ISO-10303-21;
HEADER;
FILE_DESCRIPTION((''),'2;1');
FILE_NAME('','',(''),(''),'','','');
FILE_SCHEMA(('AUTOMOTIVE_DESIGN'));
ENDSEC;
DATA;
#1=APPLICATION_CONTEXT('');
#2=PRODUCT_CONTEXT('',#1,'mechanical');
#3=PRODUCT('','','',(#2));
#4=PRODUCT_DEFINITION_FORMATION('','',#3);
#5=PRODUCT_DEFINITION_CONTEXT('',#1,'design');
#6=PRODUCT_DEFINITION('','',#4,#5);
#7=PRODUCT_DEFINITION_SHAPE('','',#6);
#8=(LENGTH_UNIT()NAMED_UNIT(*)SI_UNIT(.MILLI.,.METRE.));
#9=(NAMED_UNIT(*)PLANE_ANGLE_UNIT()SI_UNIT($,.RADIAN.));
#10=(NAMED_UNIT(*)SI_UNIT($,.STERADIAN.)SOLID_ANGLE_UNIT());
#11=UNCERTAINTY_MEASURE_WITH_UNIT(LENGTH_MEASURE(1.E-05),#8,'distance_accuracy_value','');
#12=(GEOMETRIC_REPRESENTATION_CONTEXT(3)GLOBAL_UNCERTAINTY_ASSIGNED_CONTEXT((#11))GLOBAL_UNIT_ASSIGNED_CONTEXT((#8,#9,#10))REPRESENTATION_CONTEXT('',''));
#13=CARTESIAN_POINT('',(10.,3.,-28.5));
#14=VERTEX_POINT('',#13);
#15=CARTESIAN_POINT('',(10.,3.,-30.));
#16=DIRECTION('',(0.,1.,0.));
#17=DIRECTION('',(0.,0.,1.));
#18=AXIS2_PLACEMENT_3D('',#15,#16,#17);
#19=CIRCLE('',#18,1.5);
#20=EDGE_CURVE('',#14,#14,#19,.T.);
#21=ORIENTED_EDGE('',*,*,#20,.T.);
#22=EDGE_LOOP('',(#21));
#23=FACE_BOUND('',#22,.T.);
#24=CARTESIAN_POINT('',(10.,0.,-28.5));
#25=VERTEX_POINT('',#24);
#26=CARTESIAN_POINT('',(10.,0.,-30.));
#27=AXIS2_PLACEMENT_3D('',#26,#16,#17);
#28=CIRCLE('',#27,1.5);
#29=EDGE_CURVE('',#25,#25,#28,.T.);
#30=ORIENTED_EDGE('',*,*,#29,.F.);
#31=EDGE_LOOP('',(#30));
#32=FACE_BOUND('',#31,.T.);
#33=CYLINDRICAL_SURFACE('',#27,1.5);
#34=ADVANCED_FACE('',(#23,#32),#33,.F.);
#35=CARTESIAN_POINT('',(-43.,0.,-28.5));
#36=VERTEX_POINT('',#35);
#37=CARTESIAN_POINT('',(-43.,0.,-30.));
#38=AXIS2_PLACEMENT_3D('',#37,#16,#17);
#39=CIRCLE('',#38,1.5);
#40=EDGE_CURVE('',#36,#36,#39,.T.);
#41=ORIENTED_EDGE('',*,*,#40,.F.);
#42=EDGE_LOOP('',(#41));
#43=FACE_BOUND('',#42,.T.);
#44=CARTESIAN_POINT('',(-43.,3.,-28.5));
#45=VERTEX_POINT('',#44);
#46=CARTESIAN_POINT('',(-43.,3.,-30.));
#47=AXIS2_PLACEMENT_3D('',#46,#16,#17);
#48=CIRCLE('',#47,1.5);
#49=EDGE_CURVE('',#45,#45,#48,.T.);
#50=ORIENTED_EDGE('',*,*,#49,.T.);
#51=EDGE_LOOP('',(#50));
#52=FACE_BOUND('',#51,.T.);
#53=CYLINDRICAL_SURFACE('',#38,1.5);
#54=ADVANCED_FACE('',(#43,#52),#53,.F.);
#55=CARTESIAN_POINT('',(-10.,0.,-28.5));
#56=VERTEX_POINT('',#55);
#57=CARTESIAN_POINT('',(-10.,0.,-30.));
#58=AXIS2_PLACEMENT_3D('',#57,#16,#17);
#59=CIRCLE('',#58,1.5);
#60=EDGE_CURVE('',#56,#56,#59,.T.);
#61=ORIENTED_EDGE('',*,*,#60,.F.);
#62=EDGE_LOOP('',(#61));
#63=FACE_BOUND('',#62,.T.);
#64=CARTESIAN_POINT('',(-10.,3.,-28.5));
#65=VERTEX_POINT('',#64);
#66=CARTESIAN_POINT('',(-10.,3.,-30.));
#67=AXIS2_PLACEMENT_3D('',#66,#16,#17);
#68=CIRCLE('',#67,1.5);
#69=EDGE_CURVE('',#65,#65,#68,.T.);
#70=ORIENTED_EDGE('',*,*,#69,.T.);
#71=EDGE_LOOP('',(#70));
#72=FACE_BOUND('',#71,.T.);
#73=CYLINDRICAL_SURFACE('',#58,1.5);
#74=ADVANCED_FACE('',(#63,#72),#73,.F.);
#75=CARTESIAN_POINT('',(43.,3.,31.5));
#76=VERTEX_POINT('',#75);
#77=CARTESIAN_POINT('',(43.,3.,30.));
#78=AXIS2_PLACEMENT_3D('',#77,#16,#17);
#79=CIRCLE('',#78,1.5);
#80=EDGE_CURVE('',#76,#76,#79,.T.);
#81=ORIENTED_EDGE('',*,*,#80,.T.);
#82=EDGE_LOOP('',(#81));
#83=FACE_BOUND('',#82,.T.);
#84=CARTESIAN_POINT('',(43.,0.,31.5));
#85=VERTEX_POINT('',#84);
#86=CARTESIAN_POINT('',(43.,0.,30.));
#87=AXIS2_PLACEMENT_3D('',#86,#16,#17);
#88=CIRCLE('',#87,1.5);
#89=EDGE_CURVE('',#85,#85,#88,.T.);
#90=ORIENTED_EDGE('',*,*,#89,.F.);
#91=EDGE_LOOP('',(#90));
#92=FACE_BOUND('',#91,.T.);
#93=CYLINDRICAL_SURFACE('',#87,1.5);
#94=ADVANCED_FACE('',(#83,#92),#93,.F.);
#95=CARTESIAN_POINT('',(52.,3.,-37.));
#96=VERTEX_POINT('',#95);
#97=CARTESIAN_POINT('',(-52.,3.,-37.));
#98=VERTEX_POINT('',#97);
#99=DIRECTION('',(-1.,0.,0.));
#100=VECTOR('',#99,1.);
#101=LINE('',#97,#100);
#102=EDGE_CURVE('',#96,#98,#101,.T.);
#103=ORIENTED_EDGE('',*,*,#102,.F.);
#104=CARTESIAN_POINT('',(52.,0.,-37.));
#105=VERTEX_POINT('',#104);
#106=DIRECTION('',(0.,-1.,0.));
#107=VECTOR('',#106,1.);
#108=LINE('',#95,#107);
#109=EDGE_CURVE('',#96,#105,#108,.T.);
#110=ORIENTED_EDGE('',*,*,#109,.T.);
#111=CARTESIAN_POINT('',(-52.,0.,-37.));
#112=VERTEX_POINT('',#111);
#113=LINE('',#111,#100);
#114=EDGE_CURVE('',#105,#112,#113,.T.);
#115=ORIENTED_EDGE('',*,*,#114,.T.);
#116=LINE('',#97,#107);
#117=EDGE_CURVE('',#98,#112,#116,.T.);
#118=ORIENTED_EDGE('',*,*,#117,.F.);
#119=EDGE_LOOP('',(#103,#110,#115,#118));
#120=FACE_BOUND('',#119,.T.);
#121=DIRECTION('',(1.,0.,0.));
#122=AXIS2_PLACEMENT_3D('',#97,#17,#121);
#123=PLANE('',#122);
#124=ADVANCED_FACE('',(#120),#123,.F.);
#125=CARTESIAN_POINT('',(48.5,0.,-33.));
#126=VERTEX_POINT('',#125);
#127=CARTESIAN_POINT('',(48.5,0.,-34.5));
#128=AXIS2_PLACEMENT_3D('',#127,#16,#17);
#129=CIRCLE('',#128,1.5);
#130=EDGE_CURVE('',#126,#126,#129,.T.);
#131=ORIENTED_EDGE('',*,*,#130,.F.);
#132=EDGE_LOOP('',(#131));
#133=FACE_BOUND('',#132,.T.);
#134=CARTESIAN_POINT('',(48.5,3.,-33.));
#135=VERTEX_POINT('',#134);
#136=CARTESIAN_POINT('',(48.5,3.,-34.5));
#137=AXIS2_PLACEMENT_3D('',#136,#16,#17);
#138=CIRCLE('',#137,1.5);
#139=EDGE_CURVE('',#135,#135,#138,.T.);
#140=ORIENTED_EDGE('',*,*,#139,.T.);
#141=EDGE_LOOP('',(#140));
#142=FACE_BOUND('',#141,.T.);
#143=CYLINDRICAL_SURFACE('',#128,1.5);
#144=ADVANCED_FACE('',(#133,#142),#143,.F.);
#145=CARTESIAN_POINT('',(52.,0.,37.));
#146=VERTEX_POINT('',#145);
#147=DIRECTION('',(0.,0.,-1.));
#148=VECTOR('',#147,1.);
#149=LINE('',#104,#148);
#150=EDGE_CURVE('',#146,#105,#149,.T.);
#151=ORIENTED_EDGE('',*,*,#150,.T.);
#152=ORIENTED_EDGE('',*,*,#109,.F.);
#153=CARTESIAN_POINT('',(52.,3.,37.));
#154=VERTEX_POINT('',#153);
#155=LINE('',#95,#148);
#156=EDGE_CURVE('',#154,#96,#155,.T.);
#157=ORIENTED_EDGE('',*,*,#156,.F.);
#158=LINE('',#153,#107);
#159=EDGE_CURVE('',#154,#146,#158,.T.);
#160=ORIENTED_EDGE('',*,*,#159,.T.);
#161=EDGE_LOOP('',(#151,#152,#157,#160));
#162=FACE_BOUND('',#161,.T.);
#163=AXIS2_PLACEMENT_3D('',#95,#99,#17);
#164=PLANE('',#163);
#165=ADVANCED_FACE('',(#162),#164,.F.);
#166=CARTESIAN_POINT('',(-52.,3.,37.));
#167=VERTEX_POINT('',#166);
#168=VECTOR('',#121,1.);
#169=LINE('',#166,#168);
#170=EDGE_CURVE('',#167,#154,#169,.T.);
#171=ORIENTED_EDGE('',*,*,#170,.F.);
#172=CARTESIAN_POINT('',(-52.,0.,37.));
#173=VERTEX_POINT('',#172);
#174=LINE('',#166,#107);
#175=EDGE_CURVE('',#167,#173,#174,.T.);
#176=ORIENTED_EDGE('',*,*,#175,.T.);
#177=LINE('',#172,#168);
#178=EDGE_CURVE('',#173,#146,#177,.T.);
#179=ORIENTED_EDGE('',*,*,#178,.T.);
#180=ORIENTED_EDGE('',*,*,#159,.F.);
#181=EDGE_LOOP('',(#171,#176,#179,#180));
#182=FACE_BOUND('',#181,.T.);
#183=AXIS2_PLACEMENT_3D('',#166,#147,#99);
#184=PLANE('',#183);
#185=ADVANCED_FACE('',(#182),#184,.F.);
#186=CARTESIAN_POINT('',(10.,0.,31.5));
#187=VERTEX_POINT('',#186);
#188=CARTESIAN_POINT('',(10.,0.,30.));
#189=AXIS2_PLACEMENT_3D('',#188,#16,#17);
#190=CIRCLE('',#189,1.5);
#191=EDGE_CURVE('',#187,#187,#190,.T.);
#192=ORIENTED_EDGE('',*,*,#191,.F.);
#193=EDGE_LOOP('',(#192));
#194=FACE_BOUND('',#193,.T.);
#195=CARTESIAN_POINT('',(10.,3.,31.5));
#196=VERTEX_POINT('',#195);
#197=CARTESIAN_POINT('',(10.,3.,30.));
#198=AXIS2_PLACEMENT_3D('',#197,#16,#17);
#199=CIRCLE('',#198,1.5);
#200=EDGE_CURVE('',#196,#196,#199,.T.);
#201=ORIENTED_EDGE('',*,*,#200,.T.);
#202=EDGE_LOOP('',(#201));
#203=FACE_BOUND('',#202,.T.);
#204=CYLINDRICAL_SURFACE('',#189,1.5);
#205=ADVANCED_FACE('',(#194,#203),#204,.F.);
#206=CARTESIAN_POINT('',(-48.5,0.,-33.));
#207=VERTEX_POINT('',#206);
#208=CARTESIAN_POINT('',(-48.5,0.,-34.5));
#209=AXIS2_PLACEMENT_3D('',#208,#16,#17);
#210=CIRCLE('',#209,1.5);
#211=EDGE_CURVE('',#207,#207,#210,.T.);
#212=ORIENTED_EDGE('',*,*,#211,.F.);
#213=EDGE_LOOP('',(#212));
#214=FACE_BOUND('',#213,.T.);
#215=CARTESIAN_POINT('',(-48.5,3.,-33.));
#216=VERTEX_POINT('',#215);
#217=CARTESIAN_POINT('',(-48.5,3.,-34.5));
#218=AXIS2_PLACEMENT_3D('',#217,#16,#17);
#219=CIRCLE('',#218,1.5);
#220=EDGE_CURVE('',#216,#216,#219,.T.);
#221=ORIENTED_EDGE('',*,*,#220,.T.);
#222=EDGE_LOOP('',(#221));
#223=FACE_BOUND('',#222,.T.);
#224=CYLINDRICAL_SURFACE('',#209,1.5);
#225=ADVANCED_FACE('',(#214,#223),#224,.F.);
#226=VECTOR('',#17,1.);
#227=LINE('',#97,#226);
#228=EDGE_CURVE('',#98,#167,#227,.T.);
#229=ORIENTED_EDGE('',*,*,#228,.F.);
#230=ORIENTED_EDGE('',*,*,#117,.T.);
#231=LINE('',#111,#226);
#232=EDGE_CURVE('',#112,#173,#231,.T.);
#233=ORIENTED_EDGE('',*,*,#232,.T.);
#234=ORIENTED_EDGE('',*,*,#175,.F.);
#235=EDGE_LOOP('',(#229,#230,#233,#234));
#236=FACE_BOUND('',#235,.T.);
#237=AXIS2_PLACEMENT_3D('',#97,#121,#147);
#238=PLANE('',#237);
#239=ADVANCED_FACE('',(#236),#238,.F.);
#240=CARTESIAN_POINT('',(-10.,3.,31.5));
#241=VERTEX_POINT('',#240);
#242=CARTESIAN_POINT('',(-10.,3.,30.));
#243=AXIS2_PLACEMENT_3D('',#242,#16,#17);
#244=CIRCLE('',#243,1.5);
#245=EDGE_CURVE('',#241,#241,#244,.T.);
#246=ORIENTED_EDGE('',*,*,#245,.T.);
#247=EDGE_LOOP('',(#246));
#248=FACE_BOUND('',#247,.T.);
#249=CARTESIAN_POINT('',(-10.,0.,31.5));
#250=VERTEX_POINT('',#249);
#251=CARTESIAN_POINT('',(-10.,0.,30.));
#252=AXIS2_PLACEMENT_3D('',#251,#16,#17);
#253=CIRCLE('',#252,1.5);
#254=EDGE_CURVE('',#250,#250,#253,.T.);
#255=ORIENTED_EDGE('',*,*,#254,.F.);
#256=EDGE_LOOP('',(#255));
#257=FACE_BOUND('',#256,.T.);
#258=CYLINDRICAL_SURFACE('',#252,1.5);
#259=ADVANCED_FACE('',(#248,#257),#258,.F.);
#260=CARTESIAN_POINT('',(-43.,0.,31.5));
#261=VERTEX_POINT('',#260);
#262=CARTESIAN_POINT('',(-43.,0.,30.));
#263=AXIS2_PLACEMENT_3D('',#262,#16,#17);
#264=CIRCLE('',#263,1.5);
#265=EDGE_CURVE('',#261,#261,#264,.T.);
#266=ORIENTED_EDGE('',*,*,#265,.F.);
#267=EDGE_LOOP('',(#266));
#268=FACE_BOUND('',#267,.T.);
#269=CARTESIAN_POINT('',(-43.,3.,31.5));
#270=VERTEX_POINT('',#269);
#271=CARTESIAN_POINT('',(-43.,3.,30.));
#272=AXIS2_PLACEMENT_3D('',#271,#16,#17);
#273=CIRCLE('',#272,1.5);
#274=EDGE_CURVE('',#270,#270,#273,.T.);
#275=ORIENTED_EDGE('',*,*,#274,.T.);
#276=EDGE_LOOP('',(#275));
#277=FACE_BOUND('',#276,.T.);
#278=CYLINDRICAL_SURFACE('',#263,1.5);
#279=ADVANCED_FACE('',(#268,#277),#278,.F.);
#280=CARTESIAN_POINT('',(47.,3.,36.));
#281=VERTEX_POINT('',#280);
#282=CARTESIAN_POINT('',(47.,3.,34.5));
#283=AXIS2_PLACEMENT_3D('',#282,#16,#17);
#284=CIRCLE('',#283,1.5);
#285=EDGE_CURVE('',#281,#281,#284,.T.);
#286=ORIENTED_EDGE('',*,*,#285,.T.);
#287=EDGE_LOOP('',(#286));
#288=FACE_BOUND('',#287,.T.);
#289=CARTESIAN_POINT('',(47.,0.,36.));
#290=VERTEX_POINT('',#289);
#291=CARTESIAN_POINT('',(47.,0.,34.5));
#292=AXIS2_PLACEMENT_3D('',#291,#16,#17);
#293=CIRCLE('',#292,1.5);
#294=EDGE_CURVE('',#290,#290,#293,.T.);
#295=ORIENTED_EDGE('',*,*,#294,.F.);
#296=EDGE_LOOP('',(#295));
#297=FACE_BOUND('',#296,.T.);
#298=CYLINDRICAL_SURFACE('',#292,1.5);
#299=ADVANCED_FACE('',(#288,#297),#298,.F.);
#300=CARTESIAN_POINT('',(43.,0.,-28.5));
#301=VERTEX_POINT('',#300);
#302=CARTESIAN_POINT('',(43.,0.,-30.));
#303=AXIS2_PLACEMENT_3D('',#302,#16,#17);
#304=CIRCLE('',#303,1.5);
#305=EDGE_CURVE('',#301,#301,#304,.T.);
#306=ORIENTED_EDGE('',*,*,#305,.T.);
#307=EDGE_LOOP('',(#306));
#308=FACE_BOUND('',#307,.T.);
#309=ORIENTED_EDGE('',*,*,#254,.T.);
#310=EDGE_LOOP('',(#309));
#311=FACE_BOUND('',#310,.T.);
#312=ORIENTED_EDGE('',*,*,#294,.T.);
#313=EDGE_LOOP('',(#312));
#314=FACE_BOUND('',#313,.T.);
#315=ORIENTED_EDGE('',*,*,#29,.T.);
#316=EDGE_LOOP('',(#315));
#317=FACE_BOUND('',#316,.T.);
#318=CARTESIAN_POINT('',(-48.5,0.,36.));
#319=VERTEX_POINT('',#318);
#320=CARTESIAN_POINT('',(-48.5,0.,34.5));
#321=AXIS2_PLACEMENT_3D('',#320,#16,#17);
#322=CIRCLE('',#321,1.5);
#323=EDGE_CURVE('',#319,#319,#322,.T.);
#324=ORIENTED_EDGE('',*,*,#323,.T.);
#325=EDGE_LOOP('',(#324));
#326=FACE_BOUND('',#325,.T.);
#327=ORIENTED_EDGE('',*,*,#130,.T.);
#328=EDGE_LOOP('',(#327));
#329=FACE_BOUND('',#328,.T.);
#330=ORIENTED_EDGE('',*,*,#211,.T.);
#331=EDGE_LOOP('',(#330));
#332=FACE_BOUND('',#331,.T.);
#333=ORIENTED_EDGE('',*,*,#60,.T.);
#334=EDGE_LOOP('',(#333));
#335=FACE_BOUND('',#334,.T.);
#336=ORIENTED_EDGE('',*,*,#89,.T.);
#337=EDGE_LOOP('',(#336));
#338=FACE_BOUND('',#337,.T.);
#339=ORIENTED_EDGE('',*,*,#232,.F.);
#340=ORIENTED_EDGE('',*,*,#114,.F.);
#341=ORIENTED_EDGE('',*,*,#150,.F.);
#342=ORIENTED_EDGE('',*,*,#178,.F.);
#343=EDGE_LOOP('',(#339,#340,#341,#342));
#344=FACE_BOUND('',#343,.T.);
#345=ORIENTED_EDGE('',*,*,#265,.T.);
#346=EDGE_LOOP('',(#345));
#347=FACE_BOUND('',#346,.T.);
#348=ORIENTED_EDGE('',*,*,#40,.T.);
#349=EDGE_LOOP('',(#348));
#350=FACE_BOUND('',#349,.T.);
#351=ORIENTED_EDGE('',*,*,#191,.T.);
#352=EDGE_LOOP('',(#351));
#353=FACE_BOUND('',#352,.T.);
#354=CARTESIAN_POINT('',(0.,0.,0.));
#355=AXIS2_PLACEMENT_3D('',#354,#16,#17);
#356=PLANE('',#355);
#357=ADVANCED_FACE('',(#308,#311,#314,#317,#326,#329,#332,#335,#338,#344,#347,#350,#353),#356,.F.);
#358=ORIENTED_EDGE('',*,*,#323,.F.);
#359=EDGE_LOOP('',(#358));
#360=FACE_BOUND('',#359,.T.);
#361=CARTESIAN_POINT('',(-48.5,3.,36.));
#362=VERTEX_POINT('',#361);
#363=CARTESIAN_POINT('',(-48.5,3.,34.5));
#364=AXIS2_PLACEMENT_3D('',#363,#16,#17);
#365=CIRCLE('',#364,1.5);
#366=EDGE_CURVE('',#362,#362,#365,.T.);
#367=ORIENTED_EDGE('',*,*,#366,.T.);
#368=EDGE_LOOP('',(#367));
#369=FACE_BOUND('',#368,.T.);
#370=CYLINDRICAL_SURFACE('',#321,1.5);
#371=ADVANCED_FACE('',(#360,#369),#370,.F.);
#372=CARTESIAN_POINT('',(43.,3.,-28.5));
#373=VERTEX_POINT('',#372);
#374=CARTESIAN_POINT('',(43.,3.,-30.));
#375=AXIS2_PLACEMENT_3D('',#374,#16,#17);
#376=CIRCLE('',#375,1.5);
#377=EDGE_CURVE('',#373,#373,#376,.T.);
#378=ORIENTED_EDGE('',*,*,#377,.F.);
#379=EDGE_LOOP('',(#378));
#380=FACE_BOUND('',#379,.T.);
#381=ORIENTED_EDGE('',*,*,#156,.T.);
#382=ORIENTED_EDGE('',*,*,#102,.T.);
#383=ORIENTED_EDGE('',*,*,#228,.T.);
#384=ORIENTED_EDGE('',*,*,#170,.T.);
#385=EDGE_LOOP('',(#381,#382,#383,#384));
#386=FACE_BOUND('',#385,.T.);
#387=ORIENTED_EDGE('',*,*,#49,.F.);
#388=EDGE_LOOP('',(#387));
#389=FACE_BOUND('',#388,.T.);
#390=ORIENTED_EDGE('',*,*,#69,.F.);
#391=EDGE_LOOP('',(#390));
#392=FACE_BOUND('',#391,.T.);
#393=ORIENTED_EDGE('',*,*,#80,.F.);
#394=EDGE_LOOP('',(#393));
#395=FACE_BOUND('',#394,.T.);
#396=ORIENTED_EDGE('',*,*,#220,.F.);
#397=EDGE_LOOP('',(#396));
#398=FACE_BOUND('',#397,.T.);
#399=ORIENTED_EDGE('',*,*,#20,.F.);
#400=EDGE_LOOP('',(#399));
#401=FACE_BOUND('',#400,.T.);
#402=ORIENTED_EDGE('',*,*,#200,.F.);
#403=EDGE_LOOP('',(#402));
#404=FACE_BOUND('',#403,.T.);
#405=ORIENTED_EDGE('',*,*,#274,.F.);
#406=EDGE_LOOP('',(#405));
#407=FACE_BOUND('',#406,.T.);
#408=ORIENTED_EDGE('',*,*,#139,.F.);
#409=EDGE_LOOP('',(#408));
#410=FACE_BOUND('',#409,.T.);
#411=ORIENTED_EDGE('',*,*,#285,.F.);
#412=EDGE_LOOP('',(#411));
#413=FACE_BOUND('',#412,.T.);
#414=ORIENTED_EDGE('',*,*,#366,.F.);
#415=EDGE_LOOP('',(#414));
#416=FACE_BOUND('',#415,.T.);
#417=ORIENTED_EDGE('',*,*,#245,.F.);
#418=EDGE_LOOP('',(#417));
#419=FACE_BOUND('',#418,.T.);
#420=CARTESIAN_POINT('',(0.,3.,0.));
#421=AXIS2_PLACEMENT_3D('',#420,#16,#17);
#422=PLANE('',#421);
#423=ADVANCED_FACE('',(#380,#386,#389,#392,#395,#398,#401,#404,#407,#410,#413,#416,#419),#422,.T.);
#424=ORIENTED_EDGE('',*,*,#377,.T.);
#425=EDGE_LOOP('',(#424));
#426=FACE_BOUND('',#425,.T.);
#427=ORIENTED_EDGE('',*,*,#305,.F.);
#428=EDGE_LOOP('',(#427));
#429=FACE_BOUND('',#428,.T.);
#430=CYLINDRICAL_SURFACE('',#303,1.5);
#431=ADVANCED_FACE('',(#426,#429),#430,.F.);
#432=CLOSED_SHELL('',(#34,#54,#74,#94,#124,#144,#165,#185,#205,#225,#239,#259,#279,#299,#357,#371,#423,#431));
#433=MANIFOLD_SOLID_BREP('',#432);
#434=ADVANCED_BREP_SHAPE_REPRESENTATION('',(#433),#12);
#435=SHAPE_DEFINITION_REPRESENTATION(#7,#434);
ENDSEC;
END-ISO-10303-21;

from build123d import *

# Parameters (mm, degrees)
SKETCH_1_W            = 104
SKETCH_1_H            = 74
EXTRUDE_203_DEPTH     = 3
SKETCH_2_R            = 1.5
CUT_EXTRUDE_441_DEPTH = 64.89053138


with BuildPart() as part:
    # 草图1 → Extrude 203 (new body)
    with BuildSketch(Plane(origin=(0, 0, 0), x_dir=(1, 0, 0), z_dir=(0, 1, 0))):
        Rectangle(SKETCH_1_W, SKETCH_1_H)
    extrude(amount=EXTRUDE_203_DEPTH)

    # 草图2 → Cut-Extrude 441 (cut, through all)
    with BuildSketch(Plane(origin=(0, 3, 0), x_dir=(1, 0, 0), z_dir=(0, 1, 0))):
        with Locations(Location((-43, 30, 0), (0, 0, 270))):
            Circle(SKETCH_2_R)
        with Locations(Location((-43, -30, 0), (0, 0, 270))):
            Circle(SKETCH_2_R)
        with Locations(Location((-10, 30, 0), (0, 0, 270))):
            Circle(SKETCH_2_R)
        with Locations(Location((-10, -30, 0), (0, 0, 270))):
            Circle(SKETCH_2_R)
        with Locations(Location((10, 30, 0), (0, 0, 270))):
            Circle(SKETCH_2_R)
        with Locations(Location((10, -30, 0), (0, 0, 270))):
            Circle(SKETCH_2_R)
        with Locations(Location((43, 30, 0), (0, 0, 270))):
            Circle(SKETCH_2_R)
        with Locations(Location((43, -30, 0), (0, 0, 270))):
            Circle(SKETCH_2_R)
        with Locations(Location((48.5, 34.5, 0), (0, 0, 270))):
            Circle(SKETCH_2_R)
        with Locations(Location((-48.5, 34.5, 0), (0, 0, 270))):
            Circle(SKETCH_2_R)
        with Locations(Location((-48.5, -34.5, 0), (0, 0, 270))):
            Circle(SKETCH_2_R)
        with Locations(Location((47, -34.5, 0), (0, 0, 270))):
            Circle(SKETCH_2_R)
    extrude(amount=-CUT_EXTRUDE_441_DEPTH, mode=Mode.SUBTRACT)


solid = part.part
